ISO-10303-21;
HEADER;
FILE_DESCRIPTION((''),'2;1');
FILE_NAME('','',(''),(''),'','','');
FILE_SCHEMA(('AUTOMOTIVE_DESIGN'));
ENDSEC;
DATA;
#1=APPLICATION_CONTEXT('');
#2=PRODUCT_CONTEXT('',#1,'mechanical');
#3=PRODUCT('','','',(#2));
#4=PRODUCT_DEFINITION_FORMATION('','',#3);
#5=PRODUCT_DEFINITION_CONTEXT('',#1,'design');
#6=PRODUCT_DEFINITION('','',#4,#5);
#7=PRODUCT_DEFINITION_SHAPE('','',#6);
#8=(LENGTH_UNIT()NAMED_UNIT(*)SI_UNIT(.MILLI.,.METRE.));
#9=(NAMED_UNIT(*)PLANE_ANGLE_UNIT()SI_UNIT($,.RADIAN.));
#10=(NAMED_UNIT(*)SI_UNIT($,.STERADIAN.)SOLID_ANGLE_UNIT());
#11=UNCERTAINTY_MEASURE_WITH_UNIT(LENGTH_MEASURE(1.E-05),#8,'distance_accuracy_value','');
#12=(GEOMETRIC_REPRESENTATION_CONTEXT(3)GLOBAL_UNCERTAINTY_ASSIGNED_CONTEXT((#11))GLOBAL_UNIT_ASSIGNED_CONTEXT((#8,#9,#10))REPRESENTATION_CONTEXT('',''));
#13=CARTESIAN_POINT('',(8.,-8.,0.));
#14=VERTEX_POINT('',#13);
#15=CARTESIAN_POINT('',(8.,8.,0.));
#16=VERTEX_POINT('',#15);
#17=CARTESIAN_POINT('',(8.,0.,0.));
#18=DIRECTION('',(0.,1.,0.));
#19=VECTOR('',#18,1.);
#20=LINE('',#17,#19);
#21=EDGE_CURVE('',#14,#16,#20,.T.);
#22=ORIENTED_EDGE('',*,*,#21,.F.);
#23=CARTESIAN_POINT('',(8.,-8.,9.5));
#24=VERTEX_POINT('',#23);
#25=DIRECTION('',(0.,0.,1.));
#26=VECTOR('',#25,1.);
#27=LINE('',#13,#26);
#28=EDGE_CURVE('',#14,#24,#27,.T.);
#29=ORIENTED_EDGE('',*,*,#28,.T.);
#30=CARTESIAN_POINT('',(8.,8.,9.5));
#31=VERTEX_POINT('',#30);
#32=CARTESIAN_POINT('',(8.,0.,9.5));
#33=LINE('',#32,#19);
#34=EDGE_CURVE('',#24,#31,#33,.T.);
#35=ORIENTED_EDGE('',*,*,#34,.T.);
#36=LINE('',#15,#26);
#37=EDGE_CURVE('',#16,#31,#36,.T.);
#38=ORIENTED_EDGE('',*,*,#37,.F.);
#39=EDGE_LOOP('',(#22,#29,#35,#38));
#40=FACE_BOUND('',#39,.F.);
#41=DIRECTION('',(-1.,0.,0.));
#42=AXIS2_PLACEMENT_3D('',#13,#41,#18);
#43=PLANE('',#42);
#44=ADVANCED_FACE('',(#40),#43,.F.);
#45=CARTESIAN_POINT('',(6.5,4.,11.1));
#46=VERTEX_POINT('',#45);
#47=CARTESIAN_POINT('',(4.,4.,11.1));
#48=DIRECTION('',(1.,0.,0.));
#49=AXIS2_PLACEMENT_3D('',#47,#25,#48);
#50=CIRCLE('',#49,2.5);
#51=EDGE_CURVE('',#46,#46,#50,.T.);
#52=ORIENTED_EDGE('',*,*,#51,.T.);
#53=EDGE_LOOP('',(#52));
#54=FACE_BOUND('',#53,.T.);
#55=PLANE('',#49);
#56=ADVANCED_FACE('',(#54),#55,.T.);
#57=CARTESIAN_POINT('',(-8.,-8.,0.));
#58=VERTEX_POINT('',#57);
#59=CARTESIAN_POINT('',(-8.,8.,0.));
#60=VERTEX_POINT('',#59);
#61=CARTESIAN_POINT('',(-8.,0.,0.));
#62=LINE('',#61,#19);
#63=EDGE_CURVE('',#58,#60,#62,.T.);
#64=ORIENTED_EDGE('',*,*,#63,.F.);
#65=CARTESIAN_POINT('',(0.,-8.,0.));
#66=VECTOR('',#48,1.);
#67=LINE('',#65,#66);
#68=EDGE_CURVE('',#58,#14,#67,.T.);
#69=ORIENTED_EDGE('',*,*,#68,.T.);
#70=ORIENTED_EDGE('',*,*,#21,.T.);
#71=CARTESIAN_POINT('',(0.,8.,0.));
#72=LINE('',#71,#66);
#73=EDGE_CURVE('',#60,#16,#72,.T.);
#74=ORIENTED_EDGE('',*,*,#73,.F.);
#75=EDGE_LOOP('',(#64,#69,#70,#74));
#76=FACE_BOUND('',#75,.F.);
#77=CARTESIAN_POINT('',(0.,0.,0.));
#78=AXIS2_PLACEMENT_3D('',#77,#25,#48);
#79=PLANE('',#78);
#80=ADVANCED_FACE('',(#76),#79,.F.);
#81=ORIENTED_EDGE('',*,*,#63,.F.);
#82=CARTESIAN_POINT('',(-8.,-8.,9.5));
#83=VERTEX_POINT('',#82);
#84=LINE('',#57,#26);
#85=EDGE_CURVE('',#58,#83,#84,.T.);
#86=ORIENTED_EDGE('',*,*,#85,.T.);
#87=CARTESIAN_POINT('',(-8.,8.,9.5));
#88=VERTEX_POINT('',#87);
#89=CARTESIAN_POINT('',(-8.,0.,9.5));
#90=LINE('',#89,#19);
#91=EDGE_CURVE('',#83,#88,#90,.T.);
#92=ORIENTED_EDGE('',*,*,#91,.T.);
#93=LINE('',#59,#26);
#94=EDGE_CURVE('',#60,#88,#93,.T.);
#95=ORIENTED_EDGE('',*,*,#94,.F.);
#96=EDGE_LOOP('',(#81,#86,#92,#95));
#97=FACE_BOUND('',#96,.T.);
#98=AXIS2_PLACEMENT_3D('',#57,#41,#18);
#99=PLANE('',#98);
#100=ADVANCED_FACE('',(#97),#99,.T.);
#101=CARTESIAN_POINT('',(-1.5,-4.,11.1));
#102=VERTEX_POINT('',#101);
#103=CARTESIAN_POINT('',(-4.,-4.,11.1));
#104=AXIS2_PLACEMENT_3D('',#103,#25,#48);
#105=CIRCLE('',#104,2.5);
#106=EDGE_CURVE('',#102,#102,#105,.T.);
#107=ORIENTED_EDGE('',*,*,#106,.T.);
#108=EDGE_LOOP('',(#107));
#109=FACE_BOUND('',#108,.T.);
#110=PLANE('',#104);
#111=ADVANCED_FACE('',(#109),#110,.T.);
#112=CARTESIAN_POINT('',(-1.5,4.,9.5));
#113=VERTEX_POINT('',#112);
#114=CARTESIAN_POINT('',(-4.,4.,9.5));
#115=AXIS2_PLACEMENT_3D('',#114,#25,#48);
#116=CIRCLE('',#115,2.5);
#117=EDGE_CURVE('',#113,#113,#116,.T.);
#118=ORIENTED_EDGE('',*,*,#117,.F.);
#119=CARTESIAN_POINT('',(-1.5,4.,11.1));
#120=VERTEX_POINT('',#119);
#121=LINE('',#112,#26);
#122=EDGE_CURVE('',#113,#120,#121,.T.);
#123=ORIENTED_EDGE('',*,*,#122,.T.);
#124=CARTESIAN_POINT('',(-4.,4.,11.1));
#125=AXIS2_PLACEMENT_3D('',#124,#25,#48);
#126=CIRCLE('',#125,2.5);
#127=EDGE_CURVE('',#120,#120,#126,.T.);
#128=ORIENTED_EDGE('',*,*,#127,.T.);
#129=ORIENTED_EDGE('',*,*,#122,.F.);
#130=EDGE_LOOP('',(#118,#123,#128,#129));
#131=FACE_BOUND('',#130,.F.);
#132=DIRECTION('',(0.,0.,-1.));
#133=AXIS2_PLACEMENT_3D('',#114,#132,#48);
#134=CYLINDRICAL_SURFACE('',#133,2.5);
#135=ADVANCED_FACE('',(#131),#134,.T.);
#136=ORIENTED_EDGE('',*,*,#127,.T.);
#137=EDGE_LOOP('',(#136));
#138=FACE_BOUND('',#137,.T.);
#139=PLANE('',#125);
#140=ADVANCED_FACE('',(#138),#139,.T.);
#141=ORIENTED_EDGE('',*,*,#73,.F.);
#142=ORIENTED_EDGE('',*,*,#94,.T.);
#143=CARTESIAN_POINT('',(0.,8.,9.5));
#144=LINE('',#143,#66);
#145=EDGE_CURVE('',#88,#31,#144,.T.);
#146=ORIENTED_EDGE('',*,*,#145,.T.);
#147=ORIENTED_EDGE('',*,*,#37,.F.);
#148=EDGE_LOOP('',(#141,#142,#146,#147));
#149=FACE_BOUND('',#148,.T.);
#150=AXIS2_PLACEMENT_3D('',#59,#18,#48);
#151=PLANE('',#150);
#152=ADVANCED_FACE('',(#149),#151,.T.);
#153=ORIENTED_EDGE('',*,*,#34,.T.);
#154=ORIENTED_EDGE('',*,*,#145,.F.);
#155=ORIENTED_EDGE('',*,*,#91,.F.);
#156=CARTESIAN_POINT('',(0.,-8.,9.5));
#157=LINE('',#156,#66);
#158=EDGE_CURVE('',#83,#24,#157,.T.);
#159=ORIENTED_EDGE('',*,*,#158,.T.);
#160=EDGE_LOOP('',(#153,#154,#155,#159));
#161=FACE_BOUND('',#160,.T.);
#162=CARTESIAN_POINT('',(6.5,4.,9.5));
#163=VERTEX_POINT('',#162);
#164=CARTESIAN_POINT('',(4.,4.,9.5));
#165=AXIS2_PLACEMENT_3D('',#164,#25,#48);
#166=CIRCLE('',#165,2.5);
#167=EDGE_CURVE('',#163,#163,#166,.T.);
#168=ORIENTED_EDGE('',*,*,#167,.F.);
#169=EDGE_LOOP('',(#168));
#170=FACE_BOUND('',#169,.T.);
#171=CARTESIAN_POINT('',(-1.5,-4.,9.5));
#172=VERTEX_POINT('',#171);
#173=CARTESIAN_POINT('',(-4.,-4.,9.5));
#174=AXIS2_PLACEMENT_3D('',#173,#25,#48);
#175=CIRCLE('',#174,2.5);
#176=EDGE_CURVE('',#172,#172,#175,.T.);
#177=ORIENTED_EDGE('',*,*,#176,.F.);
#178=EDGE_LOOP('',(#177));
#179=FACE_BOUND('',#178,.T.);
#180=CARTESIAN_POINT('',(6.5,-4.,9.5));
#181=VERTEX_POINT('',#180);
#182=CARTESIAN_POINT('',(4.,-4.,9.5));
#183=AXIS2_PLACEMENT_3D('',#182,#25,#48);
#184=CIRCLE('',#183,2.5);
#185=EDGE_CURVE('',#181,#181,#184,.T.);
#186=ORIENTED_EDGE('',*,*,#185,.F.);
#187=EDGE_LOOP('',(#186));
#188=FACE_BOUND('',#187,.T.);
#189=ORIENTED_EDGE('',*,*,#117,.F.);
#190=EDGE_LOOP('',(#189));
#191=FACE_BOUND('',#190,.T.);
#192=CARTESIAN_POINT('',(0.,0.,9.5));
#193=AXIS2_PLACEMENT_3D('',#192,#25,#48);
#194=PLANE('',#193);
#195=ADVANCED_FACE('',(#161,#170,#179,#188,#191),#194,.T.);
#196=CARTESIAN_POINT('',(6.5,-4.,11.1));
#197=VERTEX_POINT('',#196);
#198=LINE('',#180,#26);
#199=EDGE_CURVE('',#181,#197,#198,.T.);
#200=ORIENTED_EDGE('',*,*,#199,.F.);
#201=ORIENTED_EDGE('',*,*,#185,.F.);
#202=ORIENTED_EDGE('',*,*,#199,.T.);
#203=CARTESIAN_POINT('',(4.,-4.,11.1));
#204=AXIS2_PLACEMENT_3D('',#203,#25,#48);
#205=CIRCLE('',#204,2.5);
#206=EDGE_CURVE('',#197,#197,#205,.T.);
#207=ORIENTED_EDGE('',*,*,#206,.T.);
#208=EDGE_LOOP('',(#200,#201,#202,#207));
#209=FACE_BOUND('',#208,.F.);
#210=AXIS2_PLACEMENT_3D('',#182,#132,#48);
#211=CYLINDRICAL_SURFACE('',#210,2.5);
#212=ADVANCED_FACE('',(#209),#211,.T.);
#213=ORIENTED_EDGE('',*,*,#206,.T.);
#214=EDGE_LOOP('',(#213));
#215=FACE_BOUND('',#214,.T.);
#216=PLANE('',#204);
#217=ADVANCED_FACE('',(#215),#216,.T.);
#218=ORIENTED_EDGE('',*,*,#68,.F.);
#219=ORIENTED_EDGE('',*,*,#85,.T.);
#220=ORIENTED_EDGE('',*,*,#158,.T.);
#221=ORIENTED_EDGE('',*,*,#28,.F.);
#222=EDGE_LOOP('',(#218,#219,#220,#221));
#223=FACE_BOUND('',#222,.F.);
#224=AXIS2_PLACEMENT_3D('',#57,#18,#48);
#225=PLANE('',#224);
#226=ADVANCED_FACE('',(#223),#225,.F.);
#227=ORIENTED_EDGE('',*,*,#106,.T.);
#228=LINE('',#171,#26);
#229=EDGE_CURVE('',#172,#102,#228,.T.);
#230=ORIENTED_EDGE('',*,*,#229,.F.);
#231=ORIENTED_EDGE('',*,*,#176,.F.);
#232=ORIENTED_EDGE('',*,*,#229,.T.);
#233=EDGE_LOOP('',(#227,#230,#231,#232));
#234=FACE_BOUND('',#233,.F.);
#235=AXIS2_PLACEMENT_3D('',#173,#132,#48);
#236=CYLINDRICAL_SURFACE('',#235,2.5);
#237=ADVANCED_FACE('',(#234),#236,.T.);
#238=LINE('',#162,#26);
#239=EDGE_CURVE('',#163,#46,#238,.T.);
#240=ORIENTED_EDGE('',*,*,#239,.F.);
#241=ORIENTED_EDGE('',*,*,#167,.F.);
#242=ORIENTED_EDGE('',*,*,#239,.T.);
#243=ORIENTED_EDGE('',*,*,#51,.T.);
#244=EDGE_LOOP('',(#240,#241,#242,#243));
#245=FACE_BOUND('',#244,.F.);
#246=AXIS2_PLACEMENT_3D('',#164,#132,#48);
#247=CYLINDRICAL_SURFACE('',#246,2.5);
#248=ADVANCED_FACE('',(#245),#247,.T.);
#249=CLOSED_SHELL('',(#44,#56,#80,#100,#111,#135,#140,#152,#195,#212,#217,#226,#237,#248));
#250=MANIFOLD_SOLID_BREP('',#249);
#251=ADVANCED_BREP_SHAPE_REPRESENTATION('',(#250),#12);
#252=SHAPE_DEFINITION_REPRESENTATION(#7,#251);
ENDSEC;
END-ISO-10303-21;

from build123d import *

# Parameters (mm, degrees)
F0_W     = 16
F0_H     = 16
F1_DEPTH = 9.5
F2_R     = 2.5
F3_DEPTH = 1.6


with BuildPart() as f1:
    # F0 (on Top) → F1 (new body)
    with BuildSketch(Plane.XY):
        Rectangle(F0_W, F0_H)
    extrude(amount=F1_DEPTH)

    # F2 (on face) → F3 (join)
    with BuildSketch(Plane.XY.offset(9.5)):
        with Locations((-4, 4)):
            Circle(F2_R)
        with Locations((4, -4)):
            Circle(F2_R)
        with Locations((4, 4)):
            Circle(F2_R)
        with Locations((-4, -4)):
            Circle(F2_R)
    extrude(amount=F3_DEPTH)


solid = f1.part
